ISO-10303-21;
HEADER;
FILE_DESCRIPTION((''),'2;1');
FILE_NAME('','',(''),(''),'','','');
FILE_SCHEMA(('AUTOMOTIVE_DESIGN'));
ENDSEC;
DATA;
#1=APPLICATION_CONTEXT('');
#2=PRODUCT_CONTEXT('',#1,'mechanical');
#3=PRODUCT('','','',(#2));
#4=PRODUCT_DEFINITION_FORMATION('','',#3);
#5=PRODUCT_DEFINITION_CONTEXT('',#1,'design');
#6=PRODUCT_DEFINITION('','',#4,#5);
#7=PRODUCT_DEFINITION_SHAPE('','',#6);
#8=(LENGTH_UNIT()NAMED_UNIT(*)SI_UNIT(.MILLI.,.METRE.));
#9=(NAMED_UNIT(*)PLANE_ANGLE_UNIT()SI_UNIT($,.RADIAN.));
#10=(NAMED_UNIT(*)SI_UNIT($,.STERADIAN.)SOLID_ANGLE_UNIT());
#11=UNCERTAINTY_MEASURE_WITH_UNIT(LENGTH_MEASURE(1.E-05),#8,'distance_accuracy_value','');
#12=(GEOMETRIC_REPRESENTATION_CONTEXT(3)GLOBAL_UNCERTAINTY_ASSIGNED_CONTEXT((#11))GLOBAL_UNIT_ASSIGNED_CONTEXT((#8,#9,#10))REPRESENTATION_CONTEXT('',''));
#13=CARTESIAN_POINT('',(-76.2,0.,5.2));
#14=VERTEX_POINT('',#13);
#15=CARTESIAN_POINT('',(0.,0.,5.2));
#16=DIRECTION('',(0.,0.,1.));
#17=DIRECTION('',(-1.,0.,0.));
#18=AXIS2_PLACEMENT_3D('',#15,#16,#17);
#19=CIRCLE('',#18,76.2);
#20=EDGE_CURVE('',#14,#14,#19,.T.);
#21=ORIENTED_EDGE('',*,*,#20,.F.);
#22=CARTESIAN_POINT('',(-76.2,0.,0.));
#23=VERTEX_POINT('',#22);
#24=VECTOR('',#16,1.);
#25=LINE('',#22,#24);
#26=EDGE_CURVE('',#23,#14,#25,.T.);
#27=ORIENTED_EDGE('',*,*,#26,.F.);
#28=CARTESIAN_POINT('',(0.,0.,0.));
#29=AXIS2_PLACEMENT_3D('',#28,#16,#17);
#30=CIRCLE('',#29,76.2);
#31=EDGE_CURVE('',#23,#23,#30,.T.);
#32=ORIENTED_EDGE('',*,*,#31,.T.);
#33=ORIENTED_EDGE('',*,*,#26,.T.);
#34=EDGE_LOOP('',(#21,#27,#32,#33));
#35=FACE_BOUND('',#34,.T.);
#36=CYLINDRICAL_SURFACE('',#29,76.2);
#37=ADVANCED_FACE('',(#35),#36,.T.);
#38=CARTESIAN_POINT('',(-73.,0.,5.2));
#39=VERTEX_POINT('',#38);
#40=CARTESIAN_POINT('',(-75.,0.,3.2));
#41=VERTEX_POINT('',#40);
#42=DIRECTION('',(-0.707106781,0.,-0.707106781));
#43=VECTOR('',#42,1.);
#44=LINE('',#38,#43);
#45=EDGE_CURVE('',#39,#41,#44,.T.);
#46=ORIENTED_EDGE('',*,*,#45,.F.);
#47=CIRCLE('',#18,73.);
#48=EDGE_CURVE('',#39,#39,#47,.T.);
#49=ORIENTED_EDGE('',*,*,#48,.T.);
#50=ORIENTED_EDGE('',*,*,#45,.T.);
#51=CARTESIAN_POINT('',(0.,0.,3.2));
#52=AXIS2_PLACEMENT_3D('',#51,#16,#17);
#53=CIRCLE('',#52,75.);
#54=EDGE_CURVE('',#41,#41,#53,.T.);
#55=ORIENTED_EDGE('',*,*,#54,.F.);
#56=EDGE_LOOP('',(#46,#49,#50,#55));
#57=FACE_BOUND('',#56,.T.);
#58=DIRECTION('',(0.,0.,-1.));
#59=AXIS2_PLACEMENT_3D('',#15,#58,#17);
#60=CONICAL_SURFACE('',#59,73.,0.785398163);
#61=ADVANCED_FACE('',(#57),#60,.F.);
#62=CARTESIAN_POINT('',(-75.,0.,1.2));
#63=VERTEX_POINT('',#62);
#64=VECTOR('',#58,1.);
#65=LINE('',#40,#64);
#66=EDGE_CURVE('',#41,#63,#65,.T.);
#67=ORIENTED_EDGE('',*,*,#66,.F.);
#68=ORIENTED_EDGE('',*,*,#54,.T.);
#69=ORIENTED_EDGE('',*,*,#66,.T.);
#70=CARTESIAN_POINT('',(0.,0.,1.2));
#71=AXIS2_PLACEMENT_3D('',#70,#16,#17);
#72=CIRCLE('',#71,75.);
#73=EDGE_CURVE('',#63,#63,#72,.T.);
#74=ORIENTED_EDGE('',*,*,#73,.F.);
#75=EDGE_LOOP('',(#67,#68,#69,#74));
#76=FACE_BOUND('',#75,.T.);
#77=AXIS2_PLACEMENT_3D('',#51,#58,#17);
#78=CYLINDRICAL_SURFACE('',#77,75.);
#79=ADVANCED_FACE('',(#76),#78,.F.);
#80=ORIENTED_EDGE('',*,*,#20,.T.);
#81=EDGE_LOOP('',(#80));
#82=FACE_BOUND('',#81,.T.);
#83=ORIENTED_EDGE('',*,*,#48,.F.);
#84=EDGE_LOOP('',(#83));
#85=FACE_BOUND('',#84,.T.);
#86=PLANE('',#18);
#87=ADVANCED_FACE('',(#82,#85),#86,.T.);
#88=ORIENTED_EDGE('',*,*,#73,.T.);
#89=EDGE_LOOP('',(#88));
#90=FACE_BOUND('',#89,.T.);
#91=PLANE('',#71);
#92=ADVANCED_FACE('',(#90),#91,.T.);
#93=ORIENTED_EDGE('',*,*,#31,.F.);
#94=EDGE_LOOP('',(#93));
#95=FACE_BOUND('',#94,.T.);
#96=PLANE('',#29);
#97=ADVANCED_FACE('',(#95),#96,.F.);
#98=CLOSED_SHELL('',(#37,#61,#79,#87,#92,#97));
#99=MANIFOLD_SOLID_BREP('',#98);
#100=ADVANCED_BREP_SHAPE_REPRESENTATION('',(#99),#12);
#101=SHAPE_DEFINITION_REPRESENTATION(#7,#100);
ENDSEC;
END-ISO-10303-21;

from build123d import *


with BuildPart() as part:
    # Sketch → Revolution (revolve)
    with BuildSketch(Plane.XZ):
        Polygon((0, 1.2), (0, 0), (-76.2, 0), (-76.2, 5.2), (-73, 5.2), (-75, 3.2), (-75, 1.2), align=None)
    revolve(axis=Axis((0, 0, 0), (0, 0, 1)))


solid = part.part
